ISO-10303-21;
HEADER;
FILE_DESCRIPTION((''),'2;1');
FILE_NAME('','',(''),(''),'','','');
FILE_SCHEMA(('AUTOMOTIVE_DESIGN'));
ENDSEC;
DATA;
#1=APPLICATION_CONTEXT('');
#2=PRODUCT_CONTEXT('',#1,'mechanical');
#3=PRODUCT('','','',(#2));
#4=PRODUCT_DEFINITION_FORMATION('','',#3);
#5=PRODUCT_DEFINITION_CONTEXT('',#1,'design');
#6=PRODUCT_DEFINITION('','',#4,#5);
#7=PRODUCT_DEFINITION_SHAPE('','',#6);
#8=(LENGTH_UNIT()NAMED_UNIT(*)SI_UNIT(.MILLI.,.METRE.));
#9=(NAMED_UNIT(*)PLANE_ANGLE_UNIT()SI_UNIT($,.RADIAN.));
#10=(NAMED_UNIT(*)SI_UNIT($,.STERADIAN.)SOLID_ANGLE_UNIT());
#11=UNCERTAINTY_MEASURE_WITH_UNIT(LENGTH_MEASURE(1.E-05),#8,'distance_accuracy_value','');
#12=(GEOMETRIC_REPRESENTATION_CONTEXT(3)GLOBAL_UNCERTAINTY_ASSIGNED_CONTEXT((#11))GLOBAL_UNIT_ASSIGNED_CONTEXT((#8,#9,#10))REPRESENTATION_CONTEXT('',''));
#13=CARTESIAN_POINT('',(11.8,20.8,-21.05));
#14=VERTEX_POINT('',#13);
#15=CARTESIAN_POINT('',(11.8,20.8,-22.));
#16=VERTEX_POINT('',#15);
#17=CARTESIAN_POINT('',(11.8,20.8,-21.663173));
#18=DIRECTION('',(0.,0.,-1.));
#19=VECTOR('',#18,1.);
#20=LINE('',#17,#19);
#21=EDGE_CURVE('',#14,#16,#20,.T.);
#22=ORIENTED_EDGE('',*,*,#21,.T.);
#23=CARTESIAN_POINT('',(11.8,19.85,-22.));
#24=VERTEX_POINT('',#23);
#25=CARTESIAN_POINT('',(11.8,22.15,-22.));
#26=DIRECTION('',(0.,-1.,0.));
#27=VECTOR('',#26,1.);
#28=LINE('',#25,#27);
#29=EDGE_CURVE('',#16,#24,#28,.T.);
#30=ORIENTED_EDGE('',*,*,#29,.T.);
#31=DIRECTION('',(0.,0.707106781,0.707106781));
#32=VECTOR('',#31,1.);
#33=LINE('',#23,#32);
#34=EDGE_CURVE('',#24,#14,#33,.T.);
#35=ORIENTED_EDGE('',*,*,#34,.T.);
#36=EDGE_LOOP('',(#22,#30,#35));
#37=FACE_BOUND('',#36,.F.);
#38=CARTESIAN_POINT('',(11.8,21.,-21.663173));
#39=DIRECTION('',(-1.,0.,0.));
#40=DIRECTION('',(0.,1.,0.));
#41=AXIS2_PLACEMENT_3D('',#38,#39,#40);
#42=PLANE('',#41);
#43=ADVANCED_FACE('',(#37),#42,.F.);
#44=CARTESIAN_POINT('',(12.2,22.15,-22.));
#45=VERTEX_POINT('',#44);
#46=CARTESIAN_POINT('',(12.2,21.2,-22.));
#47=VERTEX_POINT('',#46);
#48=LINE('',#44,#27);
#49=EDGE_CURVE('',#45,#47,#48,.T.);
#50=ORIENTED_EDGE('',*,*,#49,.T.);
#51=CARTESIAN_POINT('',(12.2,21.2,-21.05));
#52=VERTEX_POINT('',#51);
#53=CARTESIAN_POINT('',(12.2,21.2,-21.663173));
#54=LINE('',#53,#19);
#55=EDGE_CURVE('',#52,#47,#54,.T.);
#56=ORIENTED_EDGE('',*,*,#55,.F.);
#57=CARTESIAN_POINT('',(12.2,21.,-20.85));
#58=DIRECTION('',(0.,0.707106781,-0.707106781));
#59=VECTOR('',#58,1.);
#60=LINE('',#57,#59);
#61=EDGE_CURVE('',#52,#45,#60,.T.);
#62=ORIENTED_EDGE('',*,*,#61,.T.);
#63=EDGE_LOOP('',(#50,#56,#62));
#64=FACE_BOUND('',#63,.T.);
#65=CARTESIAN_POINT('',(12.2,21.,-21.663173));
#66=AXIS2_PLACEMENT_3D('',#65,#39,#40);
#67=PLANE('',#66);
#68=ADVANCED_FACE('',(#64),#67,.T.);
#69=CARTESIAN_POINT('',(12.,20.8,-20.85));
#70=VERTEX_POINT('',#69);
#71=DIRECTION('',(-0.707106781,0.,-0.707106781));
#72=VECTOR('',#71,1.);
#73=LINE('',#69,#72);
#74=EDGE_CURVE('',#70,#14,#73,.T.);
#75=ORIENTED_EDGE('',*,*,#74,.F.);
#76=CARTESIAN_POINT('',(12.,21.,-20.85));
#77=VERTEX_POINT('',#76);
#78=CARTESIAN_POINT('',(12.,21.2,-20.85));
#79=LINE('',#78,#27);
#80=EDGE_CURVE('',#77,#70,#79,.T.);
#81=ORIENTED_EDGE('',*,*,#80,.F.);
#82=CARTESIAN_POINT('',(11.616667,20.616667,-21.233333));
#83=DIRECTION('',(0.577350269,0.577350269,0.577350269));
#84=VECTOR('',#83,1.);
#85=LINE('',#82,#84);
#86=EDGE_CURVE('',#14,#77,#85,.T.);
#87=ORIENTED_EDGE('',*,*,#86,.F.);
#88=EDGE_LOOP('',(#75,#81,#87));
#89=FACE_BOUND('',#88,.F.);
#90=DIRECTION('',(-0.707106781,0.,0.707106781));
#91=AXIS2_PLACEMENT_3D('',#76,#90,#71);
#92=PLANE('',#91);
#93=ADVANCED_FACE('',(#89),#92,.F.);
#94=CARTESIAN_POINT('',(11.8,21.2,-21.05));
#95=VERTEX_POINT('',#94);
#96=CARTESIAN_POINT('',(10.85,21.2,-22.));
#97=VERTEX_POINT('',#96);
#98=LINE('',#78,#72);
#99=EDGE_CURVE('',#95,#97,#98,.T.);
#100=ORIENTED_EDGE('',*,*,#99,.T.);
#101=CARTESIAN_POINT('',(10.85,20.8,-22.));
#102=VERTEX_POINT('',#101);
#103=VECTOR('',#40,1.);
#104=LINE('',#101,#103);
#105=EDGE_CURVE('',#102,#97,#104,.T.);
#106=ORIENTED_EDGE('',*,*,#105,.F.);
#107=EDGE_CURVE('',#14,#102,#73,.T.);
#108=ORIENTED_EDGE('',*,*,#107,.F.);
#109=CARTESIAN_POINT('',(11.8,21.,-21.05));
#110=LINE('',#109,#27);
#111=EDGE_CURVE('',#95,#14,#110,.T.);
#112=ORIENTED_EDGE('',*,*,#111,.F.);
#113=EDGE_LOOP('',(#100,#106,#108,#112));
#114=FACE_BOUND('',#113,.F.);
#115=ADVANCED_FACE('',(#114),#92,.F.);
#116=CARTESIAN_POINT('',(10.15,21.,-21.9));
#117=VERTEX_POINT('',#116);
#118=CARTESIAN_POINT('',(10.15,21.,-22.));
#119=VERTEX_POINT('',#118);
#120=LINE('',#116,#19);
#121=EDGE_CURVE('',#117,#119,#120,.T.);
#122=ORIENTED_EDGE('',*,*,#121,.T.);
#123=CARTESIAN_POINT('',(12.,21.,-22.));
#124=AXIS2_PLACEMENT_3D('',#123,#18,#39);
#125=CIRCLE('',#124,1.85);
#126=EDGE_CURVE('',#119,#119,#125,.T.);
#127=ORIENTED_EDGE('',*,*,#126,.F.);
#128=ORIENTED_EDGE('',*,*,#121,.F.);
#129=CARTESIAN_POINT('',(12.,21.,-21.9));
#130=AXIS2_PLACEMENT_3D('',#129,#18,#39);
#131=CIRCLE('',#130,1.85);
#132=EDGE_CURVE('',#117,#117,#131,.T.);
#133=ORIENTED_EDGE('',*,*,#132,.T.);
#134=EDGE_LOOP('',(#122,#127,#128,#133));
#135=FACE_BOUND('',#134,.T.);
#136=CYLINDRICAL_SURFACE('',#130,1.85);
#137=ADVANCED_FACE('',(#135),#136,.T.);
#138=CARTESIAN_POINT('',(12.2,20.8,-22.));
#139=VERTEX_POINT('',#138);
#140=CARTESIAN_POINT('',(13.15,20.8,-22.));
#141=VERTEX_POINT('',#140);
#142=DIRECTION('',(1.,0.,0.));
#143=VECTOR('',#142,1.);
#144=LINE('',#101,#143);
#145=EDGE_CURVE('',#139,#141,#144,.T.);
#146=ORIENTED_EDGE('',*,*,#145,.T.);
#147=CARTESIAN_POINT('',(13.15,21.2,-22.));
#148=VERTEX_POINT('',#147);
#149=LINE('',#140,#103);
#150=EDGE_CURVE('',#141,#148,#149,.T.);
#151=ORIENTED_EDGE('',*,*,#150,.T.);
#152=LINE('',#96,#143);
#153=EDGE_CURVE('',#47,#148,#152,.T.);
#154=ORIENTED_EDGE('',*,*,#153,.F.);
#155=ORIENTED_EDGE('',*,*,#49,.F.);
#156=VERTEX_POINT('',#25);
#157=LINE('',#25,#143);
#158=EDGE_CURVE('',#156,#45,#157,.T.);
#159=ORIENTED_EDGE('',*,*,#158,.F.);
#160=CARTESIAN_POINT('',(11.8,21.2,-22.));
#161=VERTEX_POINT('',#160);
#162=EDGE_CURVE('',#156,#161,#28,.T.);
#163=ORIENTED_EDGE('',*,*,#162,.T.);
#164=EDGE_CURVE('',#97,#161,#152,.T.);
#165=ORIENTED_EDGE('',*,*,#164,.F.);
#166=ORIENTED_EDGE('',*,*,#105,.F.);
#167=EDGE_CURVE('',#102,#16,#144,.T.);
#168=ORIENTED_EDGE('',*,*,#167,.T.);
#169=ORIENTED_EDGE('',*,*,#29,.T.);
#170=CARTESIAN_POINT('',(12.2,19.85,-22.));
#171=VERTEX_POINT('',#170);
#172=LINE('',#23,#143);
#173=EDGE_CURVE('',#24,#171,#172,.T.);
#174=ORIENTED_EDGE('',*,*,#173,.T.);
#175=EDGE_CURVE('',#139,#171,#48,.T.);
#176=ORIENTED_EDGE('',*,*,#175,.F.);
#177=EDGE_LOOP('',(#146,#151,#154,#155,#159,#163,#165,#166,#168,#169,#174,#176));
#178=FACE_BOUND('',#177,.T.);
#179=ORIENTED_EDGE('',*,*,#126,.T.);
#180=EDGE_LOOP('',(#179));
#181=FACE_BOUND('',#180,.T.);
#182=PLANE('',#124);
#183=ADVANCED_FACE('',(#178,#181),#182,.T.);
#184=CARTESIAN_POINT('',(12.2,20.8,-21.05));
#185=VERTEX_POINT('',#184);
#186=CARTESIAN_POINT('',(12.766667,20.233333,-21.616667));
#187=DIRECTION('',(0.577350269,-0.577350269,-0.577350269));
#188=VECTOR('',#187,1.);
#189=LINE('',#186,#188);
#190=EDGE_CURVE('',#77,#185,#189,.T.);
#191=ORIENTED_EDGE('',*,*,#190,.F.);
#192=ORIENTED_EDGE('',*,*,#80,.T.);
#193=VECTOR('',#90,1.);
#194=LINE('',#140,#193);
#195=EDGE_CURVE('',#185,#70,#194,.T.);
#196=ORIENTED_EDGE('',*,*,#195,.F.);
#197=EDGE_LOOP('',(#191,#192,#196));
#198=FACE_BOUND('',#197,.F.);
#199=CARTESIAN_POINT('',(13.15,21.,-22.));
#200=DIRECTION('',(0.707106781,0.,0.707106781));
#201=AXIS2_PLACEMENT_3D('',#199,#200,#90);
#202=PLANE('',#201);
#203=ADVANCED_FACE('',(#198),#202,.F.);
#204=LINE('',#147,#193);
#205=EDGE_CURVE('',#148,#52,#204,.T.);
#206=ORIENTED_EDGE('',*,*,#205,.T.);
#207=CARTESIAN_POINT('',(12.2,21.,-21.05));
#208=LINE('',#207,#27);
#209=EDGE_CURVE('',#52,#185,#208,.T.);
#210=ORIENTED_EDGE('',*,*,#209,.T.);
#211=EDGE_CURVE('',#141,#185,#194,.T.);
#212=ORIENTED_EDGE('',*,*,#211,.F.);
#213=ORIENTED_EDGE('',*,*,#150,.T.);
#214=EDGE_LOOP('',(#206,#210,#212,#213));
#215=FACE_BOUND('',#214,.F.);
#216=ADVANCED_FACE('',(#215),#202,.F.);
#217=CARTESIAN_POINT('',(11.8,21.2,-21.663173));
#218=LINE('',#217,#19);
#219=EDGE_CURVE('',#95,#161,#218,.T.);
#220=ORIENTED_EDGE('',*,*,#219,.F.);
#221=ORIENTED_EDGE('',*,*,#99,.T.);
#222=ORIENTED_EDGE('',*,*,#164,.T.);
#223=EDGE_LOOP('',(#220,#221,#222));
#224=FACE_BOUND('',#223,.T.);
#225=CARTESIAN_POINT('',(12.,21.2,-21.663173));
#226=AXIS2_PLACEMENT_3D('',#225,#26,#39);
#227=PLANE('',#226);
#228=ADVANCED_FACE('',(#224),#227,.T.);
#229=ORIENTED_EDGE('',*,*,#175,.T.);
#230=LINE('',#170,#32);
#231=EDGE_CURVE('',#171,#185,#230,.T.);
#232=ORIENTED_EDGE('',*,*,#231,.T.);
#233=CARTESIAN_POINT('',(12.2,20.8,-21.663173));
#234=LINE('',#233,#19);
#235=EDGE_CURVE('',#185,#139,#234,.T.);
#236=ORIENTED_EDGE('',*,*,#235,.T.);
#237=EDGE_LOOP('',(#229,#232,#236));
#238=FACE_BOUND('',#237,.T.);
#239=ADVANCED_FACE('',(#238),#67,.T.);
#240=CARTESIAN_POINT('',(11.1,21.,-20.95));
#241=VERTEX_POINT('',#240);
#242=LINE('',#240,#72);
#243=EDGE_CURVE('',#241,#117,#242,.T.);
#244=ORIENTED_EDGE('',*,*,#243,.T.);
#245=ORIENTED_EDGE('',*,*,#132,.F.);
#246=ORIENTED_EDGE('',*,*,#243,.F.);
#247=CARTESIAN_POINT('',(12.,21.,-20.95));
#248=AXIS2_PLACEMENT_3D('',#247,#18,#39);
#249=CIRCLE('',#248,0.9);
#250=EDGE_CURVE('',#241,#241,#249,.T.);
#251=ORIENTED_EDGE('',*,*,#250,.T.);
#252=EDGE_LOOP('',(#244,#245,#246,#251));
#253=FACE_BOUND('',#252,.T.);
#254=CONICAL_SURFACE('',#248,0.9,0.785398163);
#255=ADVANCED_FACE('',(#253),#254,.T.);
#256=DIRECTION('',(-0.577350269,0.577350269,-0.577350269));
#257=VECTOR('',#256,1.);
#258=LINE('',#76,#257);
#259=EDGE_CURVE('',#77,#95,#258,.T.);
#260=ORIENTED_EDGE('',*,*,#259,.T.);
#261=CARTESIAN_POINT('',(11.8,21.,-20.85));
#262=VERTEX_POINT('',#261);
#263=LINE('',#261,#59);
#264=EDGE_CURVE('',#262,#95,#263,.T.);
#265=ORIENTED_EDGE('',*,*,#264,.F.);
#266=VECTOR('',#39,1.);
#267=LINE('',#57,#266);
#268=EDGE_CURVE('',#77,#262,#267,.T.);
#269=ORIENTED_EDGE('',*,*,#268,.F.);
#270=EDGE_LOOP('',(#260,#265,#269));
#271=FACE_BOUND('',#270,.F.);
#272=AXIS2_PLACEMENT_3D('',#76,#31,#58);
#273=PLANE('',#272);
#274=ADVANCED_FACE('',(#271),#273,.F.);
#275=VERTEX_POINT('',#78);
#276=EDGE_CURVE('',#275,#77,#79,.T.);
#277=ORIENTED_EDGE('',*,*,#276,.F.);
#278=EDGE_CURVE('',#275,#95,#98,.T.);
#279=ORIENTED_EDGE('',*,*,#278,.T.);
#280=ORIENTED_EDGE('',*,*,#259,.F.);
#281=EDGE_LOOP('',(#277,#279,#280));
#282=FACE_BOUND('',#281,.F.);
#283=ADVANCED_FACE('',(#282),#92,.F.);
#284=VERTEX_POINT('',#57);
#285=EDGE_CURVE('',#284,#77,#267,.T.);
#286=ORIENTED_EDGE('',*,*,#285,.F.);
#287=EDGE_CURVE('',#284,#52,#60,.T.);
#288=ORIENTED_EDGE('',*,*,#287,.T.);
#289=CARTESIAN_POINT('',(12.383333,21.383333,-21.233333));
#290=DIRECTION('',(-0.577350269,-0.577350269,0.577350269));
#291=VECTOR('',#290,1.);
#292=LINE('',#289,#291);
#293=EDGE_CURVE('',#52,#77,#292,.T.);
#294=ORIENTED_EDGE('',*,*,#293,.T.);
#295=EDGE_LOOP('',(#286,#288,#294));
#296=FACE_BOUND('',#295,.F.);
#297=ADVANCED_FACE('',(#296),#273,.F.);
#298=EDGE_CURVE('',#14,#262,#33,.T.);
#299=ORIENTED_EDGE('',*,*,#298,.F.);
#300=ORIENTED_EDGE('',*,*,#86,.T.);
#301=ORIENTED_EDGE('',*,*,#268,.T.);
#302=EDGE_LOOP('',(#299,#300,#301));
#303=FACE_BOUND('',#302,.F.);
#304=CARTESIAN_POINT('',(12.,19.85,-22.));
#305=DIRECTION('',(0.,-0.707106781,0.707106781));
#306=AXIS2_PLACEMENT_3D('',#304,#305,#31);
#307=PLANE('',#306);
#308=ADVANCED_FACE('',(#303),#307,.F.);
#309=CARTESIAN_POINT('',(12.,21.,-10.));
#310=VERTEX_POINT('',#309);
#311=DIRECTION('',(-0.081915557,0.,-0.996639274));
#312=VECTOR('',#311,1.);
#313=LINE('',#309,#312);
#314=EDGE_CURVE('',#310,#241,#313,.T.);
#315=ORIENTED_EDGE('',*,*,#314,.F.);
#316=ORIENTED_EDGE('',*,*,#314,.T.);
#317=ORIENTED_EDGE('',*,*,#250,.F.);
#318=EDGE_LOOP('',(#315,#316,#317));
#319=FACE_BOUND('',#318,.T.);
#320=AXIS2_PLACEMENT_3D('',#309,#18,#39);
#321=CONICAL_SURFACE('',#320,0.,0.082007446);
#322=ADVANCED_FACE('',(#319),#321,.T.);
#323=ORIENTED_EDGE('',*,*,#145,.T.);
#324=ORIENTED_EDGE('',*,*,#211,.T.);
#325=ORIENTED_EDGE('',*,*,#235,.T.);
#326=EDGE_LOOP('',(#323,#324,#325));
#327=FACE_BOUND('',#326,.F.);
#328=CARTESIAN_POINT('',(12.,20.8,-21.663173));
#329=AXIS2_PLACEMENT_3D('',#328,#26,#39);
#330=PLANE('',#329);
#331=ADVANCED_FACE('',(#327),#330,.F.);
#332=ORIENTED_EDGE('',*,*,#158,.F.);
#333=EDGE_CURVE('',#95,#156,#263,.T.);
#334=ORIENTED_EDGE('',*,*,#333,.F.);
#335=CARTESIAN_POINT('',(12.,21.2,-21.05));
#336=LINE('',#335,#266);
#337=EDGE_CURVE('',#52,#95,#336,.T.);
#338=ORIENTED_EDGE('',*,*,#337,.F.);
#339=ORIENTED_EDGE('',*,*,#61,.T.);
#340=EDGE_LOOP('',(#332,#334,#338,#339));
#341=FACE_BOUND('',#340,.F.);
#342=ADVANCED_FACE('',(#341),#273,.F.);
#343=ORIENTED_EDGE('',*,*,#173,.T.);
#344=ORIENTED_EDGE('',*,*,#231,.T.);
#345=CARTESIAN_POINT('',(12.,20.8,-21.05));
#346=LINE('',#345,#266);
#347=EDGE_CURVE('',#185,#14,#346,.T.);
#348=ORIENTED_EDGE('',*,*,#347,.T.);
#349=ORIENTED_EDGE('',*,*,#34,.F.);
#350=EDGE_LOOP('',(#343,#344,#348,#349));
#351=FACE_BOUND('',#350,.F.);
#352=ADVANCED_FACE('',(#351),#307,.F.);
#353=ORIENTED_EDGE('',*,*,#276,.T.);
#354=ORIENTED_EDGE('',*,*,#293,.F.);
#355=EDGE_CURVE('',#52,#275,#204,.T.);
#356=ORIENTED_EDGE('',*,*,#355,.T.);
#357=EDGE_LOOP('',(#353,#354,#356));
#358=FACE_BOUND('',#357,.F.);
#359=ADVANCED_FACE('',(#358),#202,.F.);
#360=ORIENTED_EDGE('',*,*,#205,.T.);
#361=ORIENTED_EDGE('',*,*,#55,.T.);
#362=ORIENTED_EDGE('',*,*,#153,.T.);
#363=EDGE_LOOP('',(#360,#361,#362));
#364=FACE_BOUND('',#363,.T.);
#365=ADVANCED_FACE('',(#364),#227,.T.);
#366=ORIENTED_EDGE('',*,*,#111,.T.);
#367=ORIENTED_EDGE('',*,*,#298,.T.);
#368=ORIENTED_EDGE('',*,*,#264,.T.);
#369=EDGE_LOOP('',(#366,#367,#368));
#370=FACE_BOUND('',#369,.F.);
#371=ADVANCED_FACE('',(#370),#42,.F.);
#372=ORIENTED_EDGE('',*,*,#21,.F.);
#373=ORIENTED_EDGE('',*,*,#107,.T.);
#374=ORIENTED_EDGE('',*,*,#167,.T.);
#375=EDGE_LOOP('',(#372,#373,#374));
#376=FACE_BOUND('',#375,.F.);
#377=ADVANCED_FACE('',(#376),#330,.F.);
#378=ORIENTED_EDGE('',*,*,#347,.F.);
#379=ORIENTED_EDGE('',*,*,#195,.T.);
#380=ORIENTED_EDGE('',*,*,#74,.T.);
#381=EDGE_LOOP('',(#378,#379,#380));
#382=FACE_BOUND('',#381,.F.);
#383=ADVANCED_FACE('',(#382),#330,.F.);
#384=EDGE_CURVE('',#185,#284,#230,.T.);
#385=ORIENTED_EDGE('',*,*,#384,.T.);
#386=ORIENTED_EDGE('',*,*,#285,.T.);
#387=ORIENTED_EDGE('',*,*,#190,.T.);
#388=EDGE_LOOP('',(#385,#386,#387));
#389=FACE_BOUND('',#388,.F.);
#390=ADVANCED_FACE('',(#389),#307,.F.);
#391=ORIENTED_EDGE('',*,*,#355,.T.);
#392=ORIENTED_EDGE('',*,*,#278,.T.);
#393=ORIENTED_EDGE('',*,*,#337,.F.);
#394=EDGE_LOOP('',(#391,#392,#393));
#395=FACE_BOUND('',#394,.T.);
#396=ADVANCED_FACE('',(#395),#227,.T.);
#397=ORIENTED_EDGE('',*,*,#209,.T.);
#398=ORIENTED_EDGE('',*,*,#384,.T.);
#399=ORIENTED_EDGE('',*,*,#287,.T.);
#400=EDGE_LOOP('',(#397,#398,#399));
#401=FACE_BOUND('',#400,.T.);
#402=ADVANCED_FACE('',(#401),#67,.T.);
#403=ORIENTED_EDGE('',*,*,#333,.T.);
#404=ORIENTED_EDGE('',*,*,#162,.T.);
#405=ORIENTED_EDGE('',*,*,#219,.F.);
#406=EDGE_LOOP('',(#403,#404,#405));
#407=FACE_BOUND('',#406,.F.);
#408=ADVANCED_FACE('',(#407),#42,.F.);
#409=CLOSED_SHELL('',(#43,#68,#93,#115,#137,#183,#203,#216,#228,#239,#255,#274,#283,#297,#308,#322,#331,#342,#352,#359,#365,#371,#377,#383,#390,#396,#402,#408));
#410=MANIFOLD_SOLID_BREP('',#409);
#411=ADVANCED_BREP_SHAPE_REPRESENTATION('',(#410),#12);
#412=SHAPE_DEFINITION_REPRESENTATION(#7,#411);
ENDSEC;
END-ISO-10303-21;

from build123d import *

# Parameters (mm, degrees)
POCKET002_DEPTH         = 0.2
POLARPATTERN002_COUNT   = 2
POLARPATTERN002_ANGLE   = 90
BODY006_PLACEMENT_ANGLE = 180


with BuildPart() as part:
    # Sketch012 → Revolution002 (revolve)
    with BuildSketch(Plane.XZ):
        Polygon((0, 0), (0, -12), (0.9, -1.05), (1.85, -0.1), (1.85, 0), align=None)
    revolve(axis=Axis((0, 0, 0), (0, 0, 1)))

    # Sketch011 → Pocket002 (cut, symmetric)
    with BuildSketch(Plane.XZ):
        Polygon((-1.15, 0), (0, -1.15), (1.15, 0), align=None)
    pocket002 = extrude(amount=POCKET002_DEPTH, both=True, mode=Mode.SUBTRACT)

    # PolarPattern002: Pocket002 ×2 about axis
    polarpattern002_axis = Axis((0, 0, 0), (0, 0, 1))
    for i in range(1, POLARPATTERN002_COUNT):
        add(pocket002.rotate(polarpattern002_axis, i * POLARPATTERN002_ANGLE / (POLARPATTERN002_COUNT - 1)), mode=Mode.SUBTRACT)


with BuildPart() as part_1:
    # Body006 placement: moved
    add(part.part.moved(Location((12, 21, -22))).rotate(Axis((12, 21, -22), (0, 1, 0)), BODY006_PLACEMENT_ANGLE))


solid = part_1.part
